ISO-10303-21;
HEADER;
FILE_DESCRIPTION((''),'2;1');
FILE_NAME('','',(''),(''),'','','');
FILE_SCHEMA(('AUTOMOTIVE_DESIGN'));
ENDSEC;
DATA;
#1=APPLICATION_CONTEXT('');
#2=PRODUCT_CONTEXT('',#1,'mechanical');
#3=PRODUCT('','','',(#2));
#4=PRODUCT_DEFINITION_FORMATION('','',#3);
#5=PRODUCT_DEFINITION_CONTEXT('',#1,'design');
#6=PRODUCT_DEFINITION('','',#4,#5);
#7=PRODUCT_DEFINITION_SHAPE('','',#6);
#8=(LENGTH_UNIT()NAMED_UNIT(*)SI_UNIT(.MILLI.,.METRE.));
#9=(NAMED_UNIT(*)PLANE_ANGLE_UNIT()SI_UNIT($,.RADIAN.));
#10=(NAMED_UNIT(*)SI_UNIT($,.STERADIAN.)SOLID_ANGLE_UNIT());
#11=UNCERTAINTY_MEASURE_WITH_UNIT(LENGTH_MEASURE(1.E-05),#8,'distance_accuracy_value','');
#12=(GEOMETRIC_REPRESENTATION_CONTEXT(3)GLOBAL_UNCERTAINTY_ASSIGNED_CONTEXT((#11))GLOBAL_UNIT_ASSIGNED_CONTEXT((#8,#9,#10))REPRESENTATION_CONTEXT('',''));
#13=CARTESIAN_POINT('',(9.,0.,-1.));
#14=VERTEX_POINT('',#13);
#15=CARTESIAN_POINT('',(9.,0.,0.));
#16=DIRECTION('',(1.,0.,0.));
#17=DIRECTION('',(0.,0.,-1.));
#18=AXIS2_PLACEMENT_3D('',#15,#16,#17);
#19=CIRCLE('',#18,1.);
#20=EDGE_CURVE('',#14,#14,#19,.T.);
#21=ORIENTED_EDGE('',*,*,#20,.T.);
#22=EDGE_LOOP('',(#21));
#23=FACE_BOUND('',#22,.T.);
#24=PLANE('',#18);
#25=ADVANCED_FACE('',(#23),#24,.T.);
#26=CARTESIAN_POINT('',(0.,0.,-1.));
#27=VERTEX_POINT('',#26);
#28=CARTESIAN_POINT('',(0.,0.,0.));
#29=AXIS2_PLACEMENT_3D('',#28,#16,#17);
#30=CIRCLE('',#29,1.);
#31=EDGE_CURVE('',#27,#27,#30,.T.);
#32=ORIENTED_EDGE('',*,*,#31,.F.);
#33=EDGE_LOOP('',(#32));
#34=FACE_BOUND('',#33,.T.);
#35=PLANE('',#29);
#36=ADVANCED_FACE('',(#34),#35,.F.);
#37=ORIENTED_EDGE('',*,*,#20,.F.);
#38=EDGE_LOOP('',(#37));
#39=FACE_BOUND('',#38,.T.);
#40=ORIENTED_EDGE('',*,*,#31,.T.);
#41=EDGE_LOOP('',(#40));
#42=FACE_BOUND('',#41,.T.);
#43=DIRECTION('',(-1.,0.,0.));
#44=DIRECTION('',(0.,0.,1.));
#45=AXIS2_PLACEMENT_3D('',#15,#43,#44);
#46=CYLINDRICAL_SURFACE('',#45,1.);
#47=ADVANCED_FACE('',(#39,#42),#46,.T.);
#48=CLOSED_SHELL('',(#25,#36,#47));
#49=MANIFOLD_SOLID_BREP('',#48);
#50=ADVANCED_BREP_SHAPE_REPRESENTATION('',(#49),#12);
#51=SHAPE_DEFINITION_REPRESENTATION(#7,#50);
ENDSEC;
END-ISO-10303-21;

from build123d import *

# Parameters (mm, degrees)
SKETCH2_R           = 1
BOSS_EXTRUDE1_DEPTH = 9


with BuildPart() as part:
    # Sketch2 → Boss-Extrude1 (new body)
    with BuildSketch(Plane(origin=(0, 0, 0), x_dir=(0, 0, -1), z_dir=(1, 0, 0))):
        Circle(SKETCH2_R)
    extrude(amount=BOSS_EXTRUDE1_DEPTH)


solid = part.part
